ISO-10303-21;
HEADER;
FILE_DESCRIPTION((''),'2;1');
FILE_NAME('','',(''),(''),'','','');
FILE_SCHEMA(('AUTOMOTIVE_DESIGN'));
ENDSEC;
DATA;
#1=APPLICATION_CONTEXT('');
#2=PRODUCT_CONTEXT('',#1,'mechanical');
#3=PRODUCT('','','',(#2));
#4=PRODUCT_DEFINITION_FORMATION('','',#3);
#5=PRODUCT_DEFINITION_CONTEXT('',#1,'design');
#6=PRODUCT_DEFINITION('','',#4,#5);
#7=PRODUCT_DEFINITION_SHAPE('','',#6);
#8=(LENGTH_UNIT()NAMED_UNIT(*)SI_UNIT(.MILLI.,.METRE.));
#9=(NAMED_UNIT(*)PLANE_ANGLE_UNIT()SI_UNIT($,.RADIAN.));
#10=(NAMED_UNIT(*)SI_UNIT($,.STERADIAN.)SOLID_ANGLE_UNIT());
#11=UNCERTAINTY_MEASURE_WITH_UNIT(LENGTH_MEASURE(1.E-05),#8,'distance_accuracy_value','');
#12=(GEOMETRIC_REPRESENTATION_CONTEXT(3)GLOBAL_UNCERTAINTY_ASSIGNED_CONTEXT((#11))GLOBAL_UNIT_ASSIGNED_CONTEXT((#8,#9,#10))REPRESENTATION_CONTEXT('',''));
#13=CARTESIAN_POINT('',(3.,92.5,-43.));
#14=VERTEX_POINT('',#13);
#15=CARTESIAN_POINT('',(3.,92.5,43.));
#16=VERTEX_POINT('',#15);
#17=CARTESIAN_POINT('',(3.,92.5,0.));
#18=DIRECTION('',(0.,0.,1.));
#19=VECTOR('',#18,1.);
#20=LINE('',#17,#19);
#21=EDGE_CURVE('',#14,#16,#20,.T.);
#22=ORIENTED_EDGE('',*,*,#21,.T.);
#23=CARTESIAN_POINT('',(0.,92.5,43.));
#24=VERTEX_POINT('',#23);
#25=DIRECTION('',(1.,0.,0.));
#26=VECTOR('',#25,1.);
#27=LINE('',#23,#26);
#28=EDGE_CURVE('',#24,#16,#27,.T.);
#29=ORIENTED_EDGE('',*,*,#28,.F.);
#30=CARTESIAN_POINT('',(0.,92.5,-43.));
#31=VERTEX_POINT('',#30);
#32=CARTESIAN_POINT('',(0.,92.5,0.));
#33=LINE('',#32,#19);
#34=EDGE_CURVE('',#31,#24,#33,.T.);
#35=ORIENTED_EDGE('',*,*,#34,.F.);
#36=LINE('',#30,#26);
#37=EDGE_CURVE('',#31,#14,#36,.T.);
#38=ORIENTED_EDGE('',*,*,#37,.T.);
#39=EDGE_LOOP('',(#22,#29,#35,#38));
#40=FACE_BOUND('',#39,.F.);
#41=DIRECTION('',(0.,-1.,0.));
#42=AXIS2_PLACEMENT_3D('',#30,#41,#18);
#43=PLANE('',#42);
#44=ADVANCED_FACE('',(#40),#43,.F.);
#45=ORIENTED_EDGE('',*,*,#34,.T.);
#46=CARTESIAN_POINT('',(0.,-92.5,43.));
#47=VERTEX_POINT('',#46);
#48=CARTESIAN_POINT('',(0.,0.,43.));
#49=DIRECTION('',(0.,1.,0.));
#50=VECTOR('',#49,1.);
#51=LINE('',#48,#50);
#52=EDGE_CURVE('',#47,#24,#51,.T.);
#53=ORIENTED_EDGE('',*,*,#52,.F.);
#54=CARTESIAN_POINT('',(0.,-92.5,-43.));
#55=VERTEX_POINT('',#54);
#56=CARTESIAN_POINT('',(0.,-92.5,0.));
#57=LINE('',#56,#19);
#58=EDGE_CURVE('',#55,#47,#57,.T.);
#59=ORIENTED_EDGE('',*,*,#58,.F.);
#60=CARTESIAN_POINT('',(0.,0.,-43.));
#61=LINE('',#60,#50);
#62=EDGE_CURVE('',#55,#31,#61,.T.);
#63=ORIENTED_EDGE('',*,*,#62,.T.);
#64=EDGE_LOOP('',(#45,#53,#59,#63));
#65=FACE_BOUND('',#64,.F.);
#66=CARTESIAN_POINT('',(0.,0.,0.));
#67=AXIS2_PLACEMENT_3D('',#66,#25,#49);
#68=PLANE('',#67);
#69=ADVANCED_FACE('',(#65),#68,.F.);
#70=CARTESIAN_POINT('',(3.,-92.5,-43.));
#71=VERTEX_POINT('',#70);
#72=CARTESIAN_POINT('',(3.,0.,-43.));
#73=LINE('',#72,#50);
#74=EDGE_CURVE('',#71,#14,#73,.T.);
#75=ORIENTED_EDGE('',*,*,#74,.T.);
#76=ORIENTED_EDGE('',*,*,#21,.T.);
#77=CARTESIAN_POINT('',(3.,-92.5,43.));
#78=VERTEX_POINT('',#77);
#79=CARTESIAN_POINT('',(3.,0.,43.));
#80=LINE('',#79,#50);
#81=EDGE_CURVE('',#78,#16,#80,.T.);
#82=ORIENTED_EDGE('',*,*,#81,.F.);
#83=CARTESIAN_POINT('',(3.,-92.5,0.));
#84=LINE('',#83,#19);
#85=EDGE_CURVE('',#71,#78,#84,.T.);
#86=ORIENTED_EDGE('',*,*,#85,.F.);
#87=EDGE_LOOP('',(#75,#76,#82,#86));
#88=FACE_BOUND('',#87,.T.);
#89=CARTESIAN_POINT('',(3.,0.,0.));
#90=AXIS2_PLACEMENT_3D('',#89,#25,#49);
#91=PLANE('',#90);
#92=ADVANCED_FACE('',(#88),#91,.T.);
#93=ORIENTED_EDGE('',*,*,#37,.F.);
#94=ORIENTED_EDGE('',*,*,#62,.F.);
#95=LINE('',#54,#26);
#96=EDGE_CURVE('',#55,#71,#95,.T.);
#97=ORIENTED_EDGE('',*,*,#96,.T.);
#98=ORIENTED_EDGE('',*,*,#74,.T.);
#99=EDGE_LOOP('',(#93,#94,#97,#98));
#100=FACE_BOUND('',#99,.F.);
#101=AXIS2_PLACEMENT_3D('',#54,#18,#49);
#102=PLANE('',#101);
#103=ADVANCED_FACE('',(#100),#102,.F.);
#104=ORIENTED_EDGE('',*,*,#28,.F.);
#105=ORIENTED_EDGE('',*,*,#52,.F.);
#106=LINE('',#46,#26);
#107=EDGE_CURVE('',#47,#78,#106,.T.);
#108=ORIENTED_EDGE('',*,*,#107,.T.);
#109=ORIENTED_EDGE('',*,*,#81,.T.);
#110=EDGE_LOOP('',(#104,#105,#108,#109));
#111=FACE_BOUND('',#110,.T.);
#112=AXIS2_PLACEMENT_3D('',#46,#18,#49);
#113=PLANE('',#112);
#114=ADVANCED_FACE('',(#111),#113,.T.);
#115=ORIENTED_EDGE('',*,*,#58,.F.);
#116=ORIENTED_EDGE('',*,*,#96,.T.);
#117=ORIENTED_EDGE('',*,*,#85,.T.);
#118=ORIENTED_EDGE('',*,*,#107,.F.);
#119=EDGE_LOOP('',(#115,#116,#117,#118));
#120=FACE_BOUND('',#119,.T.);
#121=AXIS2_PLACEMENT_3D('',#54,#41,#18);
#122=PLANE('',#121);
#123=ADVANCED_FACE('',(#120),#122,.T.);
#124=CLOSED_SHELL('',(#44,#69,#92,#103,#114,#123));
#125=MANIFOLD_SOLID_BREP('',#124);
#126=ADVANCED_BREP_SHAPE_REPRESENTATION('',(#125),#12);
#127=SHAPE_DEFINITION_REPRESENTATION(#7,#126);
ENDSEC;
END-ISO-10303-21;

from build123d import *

# Parameters (mm, degrees)
SKETCH_W  = 185
SKETCH_H  = 86
PAD_DEPTH = 3


with BuildPart() as part:
    # Sketch → Pad (new body)
    with BuildSketch(Plane.YZ):
        Rectangle(SKETCH_W, SKETCH_H)
    extrude(amount=PAD_DEPTH)


solid = part.part
